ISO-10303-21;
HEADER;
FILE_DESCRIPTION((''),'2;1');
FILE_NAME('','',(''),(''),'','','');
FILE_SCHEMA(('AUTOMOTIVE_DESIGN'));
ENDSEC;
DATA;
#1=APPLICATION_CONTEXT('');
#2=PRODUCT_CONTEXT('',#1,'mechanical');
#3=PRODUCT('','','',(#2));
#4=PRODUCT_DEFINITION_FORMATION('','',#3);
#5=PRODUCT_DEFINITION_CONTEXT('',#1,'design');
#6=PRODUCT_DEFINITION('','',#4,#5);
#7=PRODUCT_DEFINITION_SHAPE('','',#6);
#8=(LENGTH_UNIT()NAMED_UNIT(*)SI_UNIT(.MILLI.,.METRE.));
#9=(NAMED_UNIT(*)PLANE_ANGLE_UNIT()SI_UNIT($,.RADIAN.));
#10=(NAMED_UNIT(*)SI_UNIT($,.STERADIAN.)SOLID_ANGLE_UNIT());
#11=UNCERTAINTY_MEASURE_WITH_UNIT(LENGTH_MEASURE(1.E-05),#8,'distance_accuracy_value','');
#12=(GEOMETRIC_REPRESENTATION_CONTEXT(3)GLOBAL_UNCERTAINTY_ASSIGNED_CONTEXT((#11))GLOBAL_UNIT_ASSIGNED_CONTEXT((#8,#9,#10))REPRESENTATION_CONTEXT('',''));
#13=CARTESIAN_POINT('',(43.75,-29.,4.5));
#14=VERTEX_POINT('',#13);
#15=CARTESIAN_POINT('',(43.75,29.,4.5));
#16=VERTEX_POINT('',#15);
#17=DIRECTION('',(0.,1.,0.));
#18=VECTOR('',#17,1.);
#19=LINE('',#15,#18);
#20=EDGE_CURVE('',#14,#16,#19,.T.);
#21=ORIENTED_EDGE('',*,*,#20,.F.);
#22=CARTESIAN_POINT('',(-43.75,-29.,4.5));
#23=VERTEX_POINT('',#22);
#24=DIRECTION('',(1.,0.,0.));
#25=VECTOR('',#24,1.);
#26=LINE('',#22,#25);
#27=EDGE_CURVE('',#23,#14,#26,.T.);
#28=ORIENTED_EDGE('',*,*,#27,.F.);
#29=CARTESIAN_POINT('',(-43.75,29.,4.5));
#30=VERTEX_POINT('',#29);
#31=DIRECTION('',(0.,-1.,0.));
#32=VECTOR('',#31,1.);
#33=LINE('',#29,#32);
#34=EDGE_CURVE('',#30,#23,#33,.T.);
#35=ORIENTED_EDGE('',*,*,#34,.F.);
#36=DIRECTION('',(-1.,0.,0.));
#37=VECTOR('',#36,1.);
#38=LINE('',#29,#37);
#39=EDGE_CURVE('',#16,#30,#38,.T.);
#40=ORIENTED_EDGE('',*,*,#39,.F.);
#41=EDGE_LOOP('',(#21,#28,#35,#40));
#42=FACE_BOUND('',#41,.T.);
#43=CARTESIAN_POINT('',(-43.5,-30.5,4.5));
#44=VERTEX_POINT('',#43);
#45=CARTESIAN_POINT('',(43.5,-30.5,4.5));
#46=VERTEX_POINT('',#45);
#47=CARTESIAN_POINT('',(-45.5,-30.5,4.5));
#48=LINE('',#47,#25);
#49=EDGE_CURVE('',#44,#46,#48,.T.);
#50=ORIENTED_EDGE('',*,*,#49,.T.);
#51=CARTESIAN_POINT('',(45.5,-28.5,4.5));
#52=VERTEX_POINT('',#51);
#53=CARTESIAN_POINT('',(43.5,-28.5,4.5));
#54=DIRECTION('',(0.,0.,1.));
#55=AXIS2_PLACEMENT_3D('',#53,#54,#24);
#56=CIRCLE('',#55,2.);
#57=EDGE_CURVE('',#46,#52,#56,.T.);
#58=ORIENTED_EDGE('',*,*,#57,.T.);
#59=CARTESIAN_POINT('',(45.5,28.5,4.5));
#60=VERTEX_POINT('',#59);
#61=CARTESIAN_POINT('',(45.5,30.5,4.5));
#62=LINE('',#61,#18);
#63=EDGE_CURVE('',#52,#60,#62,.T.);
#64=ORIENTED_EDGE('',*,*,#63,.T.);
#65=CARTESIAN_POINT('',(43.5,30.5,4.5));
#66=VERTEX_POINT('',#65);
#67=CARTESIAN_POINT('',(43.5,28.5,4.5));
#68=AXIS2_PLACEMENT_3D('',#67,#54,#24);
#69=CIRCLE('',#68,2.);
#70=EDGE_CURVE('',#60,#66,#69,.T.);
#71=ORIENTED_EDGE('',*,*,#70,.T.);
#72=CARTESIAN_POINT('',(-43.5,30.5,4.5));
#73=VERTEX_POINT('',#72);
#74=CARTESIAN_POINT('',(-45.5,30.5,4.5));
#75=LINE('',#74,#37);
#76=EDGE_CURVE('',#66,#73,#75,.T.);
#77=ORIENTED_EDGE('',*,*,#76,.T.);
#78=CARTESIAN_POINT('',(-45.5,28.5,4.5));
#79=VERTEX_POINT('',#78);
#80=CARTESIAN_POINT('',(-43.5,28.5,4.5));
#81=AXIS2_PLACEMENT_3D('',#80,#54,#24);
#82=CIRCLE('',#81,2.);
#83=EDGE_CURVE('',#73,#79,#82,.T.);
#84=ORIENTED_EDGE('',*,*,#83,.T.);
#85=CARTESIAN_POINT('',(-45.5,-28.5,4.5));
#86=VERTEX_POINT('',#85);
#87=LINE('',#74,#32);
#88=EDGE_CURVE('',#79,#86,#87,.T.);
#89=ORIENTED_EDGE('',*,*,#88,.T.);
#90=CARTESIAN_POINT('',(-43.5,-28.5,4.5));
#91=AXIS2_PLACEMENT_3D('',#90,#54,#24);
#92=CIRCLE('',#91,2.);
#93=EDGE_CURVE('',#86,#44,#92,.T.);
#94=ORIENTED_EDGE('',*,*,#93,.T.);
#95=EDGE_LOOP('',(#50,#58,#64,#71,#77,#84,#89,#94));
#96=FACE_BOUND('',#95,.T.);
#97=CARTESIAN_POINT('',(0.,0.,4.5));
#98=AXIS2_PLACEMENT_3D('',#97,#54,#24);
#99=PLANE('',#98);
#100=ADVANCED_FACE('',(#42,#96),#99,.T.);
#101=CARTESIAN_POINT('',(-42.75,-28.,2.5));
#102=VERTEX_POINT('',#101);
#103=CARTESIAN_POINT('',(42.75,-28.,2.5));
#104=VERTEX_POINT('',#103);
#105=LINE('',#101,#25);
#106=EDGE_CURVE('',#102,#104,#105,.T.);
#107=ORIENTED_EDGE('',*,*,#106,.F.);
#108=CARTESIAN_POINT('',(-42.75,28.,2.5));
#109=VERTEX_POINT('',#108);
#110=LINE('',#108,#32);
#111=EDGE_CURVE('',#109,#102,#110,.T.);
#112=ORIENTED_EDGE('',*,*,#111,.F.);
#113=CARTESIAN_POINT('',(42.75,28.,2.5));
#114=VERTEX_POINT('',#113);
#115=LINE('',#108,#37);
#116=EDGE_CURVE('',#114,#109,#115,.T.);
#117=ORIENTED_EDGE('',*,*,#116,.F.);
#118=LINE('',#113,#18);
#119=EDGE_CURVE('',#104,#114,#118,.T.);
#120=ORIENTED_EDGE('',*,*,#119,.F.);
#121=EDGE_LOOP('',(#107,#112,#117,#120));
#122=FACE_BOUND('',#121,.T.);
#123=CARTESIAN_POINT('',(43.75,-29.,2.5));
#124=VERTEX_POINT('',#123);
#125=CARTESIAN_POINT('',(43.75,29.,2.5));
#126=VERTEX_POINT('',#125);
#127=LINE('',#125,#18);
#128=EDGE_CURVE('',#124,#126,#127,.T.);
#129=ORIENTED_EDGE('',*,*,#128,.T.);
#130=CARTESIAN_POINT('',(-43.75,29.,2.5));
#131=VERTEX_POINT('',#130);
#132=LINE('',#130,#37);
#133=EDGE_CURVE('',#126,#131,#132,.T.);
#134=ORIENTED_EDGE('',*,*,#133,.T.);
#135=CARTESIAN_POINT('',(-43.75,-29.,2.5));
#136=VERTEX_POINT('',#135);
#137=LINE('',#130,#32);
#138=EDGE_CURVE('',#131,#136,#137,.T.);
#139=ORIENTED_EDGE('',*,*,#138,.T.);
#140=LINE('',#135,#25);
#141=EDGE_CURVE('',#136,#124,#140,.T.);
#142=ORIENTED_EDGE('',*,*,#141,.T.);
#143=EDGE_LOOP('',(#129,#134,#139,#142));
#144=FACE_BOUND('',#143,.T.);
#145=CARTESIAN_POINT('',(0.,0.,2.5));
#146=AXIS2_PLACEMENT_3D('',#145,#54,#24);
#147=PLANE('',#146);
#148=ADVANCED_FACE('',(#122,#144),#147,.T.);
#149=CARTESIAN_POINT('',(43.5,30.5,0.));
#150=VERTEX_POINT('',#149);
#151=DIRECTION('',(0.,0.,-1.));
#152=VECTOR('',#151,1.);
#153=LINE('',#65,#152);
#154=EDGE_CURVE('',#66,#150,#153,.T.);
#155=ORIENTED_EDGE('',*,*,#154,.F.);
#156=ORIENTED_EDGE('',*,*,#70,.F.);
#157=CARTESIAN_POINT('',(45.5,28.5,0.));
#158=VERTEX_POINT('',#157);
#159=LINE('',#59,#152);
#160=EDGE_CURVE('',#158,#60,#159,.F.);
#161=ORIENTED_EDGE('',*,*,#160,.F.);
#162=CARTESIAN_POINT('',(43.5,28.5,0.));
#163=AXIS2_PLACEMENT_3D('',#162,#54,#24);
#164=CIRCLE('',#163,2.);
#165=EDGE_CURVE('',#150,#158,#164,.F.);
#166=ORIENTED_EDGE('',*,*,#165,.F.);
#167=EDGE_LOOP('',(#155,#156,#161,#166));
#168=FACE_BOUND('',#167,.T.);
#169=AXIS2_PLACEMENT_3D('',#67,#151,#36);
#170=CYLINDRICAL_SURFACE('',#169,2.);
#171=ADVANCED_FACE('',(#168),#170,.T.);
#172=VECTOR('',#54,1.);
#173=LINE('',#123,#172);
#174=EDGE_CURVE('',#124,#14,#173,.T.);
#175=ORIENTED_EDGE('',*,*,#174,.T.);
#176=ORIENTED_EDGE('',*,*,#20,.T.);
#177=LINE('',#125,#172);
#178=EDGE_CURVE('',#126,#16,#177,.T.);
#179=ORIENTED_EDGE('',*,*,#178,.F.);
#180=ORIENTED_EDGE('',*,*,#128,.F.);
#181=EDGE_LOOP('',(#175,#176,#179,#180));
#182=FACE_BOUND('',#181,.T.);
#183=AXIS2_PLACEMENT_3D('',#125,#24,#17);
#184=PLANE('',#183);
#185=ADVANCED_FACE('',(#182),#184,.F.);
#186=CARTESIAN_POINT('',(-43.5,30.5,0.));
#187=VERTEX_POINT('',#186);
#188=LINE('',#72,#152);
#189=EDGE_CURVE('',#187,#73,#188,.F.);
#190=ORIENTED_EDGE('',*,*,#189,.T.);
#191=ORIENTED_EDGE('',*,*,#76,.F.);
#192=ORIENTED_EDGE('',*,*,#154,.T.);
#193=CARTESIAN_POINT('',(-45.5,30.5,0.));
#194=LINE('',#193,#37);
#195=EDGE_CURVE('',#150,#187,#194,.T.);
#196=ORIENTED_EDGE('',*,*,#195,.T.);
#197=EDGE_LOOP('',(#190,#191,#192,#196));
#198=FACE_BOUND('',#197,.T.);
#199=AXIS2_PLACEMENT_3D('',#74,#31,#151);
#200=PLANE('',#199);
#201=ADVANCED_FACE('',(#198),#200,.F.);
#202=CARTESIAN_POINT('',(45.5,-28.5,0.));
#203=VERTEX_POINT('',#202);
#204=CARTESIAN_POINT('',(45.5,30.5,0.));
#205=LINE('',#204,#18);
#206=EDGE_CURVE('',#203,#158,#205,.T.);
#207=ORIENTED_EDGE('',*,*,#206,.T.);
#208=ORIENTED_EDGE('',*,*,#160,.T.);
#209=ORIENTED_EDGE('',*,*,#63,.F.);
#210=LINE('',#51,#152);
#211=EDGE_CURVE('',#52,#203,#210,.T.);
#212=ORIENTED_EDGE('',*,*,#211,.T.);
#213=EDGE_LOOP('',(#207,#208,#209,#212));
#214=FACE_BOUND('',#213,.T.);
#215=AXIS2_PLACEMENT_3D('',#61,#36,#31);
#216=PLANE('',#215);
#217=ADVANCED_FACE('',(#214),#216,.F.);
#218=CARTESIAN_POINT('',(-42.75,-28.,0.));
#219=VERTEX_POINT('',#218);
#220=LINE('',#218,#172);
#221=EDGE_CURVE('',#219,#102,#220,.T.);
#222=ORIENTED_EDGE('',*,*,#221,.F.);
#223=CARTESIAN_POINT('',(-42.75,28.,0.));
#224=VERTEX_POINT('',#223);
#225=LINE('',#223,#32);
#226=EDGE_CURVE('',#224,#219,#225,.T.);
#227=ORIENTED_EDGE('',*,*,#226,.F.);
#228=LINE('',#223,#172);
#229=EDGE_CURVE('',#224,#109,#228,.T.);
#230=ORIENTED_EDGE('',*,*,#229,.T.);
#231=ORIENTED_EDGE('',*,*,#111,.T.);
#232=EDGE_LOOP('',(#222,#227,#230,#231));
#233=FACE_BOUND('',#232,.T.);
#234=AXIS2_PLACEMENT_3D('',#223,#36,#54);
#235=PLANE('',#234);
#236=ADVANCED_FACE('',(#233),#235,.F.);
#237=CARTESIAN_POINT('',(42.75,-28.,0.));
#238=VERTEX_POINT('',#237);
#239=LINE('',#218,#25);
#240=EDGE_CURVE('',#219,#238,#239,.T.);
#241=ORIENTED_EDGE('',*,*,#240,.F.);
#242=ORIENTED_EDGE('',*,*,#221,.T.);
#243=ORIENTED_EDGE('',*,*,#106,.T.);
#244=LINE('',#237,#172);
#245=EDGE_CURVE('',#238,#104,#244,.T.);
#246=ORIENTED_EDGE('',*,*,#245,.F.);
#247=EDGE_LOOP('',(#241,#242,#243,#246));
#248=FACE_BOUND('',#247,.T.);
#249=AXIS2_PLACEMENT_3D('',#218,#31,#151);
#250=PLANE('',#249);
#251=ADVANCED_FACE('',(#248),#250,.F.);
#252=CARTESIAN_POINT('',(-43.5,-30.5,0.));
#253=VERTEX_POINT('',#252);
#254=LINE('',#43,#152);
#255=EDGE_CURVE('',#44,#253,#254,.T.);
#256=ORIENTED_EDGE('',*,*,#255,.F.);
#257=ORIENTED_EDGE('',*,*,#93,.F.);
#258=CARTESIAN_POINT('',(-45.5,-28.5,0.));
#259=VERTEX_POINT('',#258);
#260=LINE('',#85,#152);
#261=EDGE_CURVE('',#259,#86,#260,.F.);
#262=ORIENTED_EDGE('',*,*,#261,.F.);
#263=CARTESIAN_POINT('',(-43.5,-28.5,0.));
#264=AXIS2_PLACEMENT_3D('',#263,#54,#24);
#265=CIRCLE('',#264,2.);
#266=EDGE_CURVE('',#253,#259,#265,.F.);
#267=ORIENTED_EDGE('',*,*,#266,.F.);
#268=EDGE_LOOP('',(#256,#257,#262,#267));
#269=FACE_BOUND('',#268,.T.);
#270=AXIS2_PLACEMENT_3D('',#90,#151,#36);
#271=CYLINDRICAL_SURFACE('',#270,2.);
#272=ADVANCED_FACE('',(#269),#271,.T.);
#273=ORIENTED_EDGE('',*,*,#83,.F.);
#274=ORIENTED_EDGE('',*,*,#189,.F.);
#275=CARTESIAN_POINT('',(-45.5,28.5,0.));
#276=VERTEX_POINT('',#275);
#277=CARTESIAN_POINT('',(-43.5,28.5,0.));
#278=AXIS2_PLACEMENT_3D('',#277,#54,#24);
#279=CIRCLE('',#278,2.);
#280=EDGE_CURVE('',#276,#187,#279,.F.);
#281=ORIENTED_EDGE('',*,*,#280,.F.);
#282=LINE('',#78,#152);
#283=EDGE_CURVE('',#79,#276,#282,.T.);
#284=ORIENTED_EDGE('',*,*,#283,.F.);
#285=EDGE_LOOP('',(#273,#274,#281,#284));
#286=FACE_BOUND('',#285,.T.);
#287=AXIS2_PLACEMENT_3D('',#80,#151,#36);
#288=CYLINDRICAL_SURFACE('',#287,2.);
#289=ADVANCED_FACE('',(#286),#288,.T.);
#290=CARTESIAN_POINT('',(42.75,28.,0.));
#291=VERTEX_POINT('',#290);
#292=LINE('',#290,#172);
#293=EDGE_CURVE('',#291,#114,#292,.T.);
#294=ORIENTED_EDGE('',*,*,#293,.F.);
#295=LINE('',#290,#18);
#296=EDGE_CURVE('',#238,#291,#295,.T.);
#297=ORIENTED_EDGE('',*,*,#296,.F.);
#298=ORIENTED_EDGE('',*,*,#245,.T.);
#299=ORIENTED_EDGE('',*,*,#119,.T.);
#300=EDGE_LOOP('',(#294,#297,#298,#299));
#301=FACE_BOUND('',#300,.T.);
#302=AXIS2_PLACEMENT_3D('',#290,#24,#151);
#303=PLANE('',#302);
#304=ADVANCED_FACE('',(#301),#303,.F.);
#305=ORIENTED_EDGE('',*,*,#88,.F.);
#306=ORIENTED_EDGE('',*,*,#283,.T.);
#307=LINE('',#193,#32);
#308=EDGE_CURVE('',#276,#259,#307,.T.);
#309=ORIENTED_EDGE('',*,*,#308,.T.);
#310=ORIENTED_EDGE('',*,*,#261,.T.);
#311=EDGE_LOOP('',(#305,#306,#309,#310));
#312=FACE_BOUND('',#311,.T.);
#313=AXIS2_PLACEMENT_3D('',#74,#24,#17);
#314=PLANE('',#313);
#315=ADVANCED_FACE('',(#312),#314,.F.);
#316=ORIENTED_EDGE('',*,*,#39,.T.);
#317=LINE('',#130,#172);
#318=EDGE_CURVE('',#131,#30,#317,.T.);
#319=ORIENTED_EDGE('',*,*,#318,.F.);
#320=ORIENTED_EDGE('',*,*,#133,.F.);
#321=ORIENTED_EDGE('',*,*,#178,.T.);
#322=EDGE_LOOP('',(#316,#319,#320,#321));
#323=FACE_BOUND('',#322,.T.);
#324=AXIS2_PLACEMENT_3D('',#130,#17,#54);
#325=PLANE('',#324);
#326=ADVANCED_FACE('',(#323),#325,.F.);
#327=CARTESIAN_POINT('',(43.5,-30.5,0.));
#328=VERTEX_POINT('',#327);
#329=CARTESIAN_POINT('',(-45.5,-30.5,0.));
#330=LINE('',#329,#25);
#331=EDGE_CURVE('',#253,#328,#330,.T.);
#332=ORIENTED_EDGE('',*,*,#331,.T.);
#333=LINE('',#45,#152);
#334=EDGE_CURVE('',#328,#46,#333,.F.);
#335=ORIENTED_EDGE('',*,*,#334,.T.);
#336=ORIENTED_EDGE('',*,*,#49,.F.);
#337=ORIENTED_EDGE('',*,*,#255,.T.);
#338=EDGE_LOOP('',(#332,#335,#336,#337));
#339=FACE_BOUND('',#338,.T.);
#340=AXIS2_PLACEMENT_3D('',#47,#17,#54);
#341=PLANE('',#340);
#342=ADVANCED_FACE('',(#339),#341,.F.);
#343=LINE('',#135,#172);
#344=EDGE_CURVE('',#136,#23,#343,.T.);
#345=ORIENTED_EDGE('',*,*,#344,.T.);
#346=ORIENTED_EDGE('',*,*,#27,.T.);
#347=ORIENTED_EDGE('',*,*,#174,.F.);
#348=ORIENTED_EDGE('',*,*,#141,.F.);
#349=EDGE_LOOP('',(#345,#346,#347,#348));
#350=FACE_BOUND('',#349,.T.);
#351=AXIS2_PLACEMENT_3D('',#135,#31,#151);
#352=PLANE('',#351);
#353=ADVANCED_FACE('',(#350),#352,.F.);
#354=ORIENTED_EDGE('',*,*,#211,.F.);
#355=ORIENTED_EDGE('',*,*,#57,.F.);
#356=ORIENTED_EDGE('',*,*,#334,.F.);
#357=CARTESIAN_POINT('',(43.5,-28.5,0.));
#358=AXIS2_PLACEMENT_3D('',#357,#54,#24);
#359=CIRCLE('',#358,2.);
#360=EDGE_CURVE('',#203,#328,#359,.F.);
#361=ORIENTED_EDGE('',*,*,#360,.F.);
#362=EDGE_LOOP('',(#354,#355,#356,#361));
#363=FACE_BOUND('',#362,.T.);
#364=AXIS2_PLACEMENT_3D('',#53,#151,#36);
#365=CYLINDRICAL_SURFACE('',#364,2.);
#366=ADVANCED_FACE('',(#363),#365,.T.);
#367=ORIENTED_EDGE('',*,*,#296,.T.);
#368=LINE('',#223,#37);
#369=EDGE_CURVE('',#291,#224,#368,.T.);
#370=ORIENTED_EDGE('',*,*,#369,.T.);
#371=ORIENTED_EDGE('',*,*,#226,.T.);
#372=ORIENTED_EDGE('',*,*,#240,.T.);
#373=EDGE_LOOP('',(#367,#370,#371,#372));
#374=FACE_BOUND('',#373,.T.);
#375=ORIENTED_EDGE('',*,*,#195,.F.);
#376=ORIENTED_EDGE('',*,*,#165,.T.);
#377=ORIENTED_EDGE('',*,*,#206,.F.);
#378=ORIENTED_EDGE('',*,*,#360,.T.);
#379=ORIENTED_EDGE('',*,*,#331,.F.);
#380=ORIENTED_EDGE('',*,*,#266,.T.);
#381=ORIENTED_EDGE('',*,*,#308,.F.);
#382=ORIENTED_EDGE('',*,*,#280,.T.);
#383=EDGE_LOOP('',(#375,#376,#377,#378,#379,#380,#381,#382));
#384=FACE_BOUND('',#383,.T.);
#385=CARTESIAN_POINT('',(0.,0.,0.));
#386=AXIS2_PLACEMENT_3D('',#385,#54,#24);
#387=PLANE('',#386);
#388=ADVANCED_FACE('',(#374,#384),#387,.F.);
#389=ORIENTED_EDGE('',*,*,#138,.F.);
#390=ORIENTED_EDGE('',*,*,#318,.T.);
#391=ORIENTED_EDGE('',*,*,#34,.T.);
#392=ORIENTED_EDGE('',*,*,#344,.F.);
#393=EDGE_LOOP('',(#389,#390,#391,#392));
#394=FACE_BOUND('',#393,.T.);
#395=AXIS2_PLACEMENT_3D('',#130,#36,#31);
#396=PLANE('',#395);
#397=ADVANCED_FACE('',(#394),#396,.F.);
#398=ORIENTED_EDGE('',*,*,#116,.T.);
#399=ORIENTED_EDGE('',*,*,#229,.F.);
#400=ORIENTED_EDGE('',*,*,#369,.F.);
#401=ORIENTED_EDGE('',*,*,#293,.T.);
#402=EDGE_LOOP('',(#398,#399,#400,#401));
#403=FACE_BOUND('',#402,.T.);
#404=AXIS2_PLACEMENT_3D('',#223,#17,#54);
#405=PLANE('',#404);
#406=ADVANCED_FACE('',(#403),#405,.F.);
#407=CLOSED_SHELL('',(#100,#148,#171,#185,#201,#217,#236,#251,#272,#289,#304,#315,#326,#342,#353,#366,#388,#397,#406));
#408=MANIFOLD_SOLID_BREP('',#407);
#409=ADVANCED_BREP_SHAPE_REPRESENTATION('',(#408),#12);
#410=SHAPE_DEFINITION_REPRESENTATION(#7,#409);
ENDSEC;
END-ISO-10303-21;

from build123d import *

# Parameters (mm, degrees)
SKETCH1_W           = 91
SKETCH1_H           = 61
BOSS_EXTRUDE1_DEPTH = 4.5
SKETCH2_W           = 87.5
SKETCH2_H           = 58
CUT_EXTRUDE1_DEPTH  = 2
SKETCH3_W           = 85.5
SKETCH3_H           = 56
CUT_EXTRUDE2_DEPTH  = 3.5
FILLET1_R           = 2


with BuildPart() as part:
    # Sketch1 → Boss-Extrude1 (new body)
    with BuildSketch(Plane.XY):
        Rectangle(SKETCH1_W, SKETCH1_H)
    extrude(amount=BOSS_EXTRUDE1_DEPTH)

    # Sketch2 → Cut-Extrude1 (cut)
    with BuildSketch(Plane.XY.offset(4.5)):
        Rectangle(SKETCH2_W, SKETCH2_H)
    extrude(amount=-CUT_EXTRUDE1_DEPTH, mode=Mode.SUBTRACT)

    # Sketch3 → Cut-Extrude2 (cut, through all)
    with BuildSketch(Plane.XY.offset(2.5)):
        Rectangle(SKETCH3_W, SKETCH3_H)
    extrude(amount=-CUT_EXTRUDE2_DEPTH, mode=Mode.SUBTRACT)

    # Fillet1
    fillet1_edges = [part.edges().sort_by_distance(p)[0] for p in [
        (45.5, -30.5, 2.25),
        (-45.5, -30.5, 2.25),
        (-45.5, 30.5, 2.25),
        (45.5, 30.5, 2.25),
    ]]
    fillet(fillet1_edges, radius=FILLET1_R)


solid = part.part
